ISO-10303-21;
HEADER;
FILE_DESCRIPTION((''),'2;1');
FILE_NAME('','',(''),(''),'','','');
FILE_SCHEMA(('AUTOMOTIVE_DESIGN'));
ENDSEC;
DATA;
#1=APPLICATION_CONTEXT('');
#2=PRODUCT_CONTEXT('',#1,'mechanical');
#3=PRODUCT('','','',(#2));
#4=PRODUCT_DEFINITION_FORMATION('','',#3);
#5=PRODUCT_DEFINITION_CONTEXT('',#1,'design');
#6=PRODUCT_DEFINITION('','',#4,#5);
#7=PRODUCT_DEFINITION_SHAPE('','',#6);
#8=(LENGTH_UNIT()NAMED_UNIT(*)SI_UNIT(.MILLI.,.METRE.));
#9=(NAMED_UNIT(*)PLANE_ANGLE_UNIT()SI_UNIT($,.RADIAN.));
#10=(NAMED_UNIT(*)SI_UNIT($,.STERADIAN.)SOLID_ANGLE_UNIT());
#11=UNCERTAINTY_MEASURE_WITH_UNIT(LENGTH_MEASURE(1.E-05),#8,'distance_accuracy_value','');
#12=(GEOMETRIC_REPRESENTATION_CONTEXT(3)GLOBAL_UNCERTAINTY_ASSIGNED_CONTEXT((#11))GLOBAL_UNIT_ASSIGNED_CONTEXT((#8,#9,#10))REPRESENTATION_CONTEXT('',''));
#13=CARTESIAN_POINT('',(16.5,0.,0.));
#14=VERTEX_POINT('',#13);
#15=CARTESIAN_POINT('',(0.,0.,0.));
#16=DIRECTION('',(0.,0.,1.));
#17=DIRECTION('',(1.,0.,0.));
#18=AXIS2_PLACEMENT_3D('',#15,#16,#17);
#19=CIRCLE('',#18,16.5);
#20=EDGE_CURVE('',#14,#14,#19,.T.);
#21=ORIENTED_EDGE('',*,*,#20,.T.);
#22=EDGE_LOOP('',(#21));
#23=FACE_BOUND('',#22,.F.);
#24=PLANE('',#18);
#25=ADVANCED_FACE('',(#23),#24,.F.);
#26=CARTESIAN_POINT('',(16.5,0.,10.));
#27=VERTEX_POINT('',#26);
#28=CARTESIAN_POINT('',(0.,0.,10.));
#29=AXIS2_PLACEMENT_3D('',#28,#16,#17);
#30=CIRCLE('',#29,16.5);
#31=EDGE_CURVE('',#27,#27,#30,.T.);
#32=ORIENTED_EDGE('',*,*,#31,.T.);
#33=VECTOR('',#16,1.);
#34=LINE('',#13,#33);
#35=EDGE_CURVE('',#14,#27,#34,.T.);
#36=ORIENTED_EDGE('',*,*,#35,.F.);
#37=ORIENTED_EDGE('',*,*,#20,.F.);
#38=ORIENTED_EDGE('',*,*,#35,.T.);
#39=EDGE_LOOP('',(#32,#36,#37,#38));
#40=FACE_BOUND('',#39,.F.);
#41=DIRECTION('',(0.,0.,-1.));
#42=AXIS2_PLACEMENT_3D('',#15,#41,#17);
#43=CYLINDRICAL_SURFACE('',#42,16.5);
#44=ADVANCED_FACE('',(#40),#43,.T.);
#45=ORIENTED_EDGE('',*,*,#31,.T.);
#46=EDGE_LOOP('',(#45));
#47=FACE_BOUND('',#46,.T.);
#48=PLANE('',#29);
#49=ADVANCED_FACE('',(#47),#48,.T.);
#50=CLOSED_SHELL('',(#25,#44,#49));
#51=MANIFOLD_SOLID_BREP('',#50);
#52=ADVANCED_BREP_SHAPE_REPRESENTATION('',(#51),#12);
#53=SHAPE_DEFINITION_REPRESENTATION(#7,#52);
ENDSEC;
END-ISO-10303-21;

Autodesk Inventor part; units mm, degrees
ref_plane "YZ Plane" through (0, 0, 0) normal (1, 0, 0) x (0, 1, 0)
ref_plane "XZ Plane" through (0, 0, 0) normal (0, 1, 0) x (-1, 0, 0)
ref_plane "XY Plane" through (0, 0, 0) normal (0, 0, 1) x (1, 0, 0)
sketch "草圖1" plane through (0, 0, 0) normal (0, 0, 1) x (1, 0, 0)
  circle A0 centre (0, 0) radius 16.5
  dimension "d0" = 33
extrude "擠出1" add sketch "草圖1" along normal blind 10
properties part number "Stage1_planet"
